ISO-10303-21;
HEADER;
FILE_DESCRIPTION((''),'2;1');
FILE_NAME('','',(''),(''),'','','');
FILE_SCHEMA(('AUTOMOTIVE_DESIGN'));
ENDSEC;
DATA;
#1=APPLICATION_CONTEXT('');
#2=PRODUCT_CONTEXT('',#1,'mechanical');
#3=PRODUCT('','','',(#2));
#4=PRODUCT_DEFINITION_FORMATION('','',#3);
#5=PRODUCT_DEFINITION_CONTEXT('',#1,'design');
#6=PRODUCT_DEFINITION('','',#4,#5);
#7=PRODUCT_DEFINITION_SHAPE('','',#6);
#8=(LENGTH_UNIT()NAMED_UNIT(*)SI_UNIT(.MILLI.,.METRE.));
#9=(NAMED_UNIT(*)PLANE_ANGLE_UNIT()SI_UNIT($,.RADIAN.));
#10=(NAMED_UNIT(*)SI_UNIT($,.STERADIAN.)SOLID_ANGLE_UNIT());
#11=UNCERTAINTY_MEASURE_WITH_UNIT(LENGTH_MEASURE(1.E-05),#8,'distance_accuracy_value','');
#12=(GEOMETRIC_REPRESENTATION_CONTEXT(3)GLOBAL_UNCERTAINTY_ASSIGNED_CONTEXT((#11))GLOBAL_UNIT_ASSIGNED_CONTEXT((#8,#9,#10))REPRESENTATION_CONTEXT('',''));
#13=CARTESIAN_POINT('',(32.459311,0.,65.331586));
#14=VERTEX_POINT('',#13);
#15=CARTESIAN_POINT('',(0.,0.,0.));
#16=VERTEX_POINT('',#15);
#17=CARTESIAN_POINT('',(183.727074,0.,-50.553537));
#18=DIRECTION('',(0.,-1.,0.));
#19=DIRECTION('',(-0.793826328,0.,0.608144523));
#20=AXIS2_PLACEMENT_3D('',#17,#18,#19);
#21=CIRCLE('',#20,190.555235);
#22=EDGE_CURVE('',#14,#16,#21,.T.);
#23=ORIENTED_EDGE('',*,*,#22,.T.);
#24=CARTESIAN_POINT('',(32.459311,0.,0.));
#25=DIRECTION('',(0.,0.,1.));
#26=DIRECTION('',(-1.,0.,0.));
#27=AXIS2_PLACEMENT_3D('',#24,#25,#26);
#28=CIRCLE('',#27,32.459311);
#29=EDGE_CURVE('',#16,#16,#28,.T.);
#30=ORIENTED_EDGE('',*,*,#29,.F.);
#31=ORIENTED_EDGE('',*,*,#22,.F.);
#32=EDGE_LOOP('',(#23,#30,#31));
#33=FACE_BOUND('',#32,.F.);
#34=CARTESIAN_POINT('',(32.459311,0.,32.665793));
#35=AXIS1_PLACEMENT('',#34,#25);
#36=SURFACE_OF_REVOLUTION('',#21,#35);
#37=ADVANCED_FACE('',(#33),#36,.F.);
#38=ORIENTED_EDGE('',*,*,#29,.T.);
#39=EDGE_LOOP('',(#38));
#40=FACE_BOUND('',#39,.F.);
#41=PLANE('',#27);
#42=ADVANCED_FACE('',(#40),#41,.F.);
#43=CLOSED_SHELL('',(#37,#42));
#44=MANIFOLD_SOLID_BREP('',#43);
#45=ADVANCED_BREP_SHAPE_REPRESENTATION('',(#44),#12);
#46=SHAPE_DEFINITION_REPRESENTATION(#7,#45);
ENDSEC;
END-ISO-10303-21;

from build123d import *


with BuildPart() as f1:
    # F0 (on Front) → F1 (revolve)
    with BuildSketch(Plane.XZ):
        with BuildLine():
            ThreePointArc((32.459311, 65.331586), (13.074095, 34.2336), (0, 0))
            Line((0, 0), (32.459311, 0))
            Line((32.459311, 0), (32.459311, 65.331586))
        make_face()
    revolve(axis=Axis((32.459311, 0, 32.665793), (0, 0, 1)))


solid = f1.part
